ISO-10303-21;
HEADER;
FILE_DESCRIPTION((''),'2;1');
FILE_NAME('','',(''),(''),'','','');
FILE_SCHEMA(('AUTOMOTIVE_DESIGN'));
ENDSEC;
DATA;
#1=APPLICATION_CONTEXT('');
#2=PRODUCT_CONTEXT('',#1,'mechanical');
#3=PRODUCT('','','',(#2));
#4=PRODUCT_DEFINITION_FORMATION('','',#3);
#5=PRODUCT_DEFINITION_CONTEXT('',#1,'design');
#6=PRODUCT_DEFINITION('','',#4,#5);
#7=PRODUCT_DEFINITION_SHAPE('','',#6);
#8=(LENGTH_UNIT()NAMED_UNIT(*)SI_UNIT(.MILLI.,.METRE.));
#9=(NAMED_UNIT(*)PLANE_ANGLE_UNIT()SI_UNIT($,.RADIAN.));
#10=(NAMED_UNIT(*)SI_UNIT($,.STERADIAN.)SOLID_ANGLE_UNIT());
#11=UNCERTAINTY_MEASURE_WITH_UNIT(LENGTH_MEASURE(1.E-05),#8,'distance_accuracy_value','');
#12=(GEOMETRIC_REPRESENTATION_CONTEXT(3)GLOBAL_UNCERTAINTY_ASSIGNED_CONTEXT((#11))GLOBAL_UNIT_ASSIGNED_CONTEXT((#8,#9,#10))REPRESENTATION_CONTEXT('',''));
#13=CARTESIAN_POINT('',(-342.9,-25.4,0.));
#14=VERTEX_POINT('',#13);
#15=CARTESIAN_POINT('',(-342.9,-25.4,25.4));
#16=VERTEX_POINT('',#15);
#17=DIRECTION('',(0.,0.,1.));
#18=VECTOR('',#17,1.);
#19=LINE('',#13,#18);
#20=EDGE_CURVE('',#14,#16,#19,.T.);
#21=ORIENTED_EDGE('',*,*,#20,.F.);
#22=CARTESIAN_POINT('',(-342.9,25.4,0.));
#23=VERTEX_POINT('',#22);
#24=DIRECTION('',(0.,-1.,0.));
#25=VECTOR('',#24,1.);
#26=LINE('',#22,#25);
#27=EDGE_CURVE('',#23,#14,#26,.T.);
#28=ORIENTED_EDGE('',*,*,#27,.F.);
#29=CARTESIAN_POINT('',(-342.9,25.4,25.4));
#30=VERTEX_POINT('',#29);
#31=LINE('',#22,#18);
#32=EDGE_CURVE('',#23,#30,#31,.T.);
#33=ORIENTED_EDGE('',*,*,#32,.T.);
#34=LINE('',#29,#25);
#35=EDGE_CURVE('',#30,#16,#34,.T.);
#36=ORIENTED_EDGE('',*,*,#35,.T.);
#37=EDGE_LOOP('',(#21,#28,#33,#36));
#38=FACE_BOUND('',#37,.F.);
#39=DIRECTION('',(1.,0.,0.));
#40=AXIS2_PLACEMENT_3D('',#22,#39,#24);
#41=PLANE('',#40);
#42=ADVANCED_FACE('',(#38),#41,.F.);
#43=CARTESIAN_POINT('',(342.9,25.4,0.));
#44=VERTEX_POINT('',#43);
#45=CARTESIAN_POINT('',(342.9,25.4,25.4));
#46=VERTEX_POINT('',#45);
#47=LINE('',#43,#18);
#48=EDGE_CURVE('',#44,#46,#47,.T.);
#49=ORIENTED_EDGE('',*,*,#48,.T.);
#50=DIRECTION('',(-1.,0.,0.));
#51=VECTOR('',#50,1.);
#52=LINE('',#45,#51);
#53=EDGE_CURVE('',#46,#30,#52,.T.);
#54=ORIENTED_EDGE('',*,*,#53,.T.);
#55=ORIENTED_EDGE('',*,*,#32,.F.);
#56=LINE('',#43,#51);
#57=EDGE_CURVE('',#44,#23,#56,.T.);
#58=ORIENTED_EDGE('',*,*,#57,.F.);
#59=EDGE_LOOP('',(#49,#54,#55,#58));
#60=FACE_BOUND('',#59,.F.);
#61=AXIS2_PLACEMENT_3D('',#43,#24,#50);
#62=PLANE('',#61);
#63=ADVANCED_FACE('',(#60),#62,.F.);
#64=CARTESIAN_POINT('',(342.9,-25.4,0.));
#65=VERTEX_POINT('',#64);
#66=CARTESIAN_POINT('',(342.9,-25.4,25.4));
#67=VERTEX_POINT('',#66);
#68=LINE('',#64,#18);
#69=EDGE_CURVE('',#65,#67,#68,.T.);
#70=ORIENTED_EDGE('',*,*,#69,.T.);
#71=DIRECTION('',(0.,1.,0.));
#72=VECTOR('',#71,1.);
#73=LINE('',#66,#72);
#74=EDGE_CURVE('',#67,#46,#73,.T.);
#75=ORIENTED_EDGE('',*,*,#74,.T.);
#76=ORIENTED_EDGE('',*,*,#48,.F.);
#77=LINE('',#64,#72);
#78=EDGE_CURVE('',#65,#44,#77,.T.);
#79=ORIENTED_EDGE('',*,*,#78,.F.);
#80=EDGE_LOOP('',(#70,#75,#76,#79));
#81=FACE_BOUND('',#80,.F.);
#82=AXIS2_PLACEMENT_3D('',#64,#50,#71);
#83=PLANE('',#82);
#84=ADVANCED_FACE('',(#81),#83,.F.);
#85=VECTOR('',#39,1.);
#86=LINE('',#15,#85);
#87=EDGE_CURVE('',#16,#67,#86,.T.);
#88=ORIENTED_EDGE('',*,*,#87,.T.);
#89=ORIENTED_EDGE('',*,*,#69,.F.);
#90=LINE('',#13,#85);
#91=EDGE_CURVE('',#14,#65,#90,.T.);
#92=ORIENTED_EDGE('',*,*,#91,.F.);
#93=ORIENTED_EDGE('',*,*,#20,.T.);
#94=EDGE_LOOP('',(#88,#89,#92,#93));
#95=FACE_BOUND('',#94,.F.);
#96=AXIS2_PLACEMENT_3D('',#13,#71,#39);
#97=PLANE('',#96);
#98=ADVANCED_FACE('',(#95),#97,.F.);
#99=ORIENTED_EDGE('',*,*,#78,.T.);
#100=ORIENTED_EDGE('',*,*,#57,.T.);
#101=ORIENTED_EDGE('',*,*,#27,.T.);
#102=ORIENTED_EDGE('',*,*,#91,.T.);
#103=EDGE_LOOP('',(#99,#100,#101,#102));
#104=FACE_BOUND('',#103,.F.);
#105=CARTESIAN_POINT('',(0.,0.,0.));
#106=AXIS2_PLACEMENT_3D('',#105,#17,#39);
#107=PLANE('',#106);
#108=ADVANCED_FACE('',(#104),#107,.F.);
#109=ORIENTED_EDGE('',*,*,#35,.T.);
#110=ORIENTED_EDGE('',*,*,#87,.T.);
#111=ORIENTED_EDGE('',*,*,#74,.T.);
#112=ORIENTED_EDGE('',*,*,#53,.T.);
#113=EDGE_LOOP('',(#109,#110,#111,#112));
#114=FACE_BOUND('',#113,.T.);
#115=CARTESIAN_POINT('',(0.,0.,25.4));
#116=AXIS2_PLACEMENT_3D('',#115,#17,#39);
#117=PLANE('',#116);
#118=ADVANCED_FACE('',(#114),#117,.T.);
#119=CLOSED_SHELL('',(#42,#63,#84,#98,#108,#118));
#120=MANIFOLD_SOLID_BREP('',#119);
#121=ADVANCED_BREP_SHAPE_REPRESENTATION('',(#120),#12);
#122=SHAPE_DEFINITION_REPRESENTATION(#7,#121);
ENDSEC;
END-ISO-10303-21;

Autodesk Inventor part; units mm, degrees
ref_plane "YZ Plane" through (0, 0, 0) normal (1, 0, 0) x (0, 1, 0)
ref_plane "XZ Plane" through (0, 0, 0) normal (0, 1, 0) x (-1, 0, 0)
ref_plane "XY Plane" through (0, 0, 0) normal (0, 0, 1) x (1, 0, 0)
sketch "Sketch1" plane through (0, 0, 0) normal (0, 0, 1) x (1, 0, 0)
  line L0 (-342.9, -25.4) -> (342.9, -25.4)
  line L1 (342.9, -25.4) -> (342.9, 25.4)
  line L2 (342.9, 25.4) -> (-342.9, 25.4)
  line L3 (-342.9, 25.4) -> (-342.9, -25.4)
  line L4 (-342.9, -25.4) -> (342.9, 25.4) construction
  line L5 (342.9, -25.4) -> (-342.9, 25.4) construction
  point P0 (0, 0)
  dimension "d0" = 685.8
  dimension "d1" = 50.8
extrude "Extrusion1" add sketch "Sketch1" along normal blind 25.4
sketch "Sketch2" plane through (342.9, -25.4, 0) normal (1, 0, 0) x (0, 0, -1)
  line L0 (0, 50.8) -> (-25.4, 50.8) projected
  line L1 (-25.4, 50.8) -> (0, 50.8)
  line L2 (0, 50.8) -> (0, 0)
  line L3 (0, 0) -> (-25.4, 0)
  line L4 (-25.4, 0) -> (-25.4, 50.8)
  line L5 (-3.175, 3.175) -> (-3.175, 47.625)
  line L6 (-3.175, 47.625) -> (-22.225, 47.625)
  line L7 (-22.225, 47.625) -> (-22.225, 3.175)
  line L8 (-22.225, 3.175) -> (-3.175, 3.175)
  point P0 (0, 25.4)
  dimension "d4" = 3.175
properties part number "27inchbarchassis" material "Aluminum 6061"
